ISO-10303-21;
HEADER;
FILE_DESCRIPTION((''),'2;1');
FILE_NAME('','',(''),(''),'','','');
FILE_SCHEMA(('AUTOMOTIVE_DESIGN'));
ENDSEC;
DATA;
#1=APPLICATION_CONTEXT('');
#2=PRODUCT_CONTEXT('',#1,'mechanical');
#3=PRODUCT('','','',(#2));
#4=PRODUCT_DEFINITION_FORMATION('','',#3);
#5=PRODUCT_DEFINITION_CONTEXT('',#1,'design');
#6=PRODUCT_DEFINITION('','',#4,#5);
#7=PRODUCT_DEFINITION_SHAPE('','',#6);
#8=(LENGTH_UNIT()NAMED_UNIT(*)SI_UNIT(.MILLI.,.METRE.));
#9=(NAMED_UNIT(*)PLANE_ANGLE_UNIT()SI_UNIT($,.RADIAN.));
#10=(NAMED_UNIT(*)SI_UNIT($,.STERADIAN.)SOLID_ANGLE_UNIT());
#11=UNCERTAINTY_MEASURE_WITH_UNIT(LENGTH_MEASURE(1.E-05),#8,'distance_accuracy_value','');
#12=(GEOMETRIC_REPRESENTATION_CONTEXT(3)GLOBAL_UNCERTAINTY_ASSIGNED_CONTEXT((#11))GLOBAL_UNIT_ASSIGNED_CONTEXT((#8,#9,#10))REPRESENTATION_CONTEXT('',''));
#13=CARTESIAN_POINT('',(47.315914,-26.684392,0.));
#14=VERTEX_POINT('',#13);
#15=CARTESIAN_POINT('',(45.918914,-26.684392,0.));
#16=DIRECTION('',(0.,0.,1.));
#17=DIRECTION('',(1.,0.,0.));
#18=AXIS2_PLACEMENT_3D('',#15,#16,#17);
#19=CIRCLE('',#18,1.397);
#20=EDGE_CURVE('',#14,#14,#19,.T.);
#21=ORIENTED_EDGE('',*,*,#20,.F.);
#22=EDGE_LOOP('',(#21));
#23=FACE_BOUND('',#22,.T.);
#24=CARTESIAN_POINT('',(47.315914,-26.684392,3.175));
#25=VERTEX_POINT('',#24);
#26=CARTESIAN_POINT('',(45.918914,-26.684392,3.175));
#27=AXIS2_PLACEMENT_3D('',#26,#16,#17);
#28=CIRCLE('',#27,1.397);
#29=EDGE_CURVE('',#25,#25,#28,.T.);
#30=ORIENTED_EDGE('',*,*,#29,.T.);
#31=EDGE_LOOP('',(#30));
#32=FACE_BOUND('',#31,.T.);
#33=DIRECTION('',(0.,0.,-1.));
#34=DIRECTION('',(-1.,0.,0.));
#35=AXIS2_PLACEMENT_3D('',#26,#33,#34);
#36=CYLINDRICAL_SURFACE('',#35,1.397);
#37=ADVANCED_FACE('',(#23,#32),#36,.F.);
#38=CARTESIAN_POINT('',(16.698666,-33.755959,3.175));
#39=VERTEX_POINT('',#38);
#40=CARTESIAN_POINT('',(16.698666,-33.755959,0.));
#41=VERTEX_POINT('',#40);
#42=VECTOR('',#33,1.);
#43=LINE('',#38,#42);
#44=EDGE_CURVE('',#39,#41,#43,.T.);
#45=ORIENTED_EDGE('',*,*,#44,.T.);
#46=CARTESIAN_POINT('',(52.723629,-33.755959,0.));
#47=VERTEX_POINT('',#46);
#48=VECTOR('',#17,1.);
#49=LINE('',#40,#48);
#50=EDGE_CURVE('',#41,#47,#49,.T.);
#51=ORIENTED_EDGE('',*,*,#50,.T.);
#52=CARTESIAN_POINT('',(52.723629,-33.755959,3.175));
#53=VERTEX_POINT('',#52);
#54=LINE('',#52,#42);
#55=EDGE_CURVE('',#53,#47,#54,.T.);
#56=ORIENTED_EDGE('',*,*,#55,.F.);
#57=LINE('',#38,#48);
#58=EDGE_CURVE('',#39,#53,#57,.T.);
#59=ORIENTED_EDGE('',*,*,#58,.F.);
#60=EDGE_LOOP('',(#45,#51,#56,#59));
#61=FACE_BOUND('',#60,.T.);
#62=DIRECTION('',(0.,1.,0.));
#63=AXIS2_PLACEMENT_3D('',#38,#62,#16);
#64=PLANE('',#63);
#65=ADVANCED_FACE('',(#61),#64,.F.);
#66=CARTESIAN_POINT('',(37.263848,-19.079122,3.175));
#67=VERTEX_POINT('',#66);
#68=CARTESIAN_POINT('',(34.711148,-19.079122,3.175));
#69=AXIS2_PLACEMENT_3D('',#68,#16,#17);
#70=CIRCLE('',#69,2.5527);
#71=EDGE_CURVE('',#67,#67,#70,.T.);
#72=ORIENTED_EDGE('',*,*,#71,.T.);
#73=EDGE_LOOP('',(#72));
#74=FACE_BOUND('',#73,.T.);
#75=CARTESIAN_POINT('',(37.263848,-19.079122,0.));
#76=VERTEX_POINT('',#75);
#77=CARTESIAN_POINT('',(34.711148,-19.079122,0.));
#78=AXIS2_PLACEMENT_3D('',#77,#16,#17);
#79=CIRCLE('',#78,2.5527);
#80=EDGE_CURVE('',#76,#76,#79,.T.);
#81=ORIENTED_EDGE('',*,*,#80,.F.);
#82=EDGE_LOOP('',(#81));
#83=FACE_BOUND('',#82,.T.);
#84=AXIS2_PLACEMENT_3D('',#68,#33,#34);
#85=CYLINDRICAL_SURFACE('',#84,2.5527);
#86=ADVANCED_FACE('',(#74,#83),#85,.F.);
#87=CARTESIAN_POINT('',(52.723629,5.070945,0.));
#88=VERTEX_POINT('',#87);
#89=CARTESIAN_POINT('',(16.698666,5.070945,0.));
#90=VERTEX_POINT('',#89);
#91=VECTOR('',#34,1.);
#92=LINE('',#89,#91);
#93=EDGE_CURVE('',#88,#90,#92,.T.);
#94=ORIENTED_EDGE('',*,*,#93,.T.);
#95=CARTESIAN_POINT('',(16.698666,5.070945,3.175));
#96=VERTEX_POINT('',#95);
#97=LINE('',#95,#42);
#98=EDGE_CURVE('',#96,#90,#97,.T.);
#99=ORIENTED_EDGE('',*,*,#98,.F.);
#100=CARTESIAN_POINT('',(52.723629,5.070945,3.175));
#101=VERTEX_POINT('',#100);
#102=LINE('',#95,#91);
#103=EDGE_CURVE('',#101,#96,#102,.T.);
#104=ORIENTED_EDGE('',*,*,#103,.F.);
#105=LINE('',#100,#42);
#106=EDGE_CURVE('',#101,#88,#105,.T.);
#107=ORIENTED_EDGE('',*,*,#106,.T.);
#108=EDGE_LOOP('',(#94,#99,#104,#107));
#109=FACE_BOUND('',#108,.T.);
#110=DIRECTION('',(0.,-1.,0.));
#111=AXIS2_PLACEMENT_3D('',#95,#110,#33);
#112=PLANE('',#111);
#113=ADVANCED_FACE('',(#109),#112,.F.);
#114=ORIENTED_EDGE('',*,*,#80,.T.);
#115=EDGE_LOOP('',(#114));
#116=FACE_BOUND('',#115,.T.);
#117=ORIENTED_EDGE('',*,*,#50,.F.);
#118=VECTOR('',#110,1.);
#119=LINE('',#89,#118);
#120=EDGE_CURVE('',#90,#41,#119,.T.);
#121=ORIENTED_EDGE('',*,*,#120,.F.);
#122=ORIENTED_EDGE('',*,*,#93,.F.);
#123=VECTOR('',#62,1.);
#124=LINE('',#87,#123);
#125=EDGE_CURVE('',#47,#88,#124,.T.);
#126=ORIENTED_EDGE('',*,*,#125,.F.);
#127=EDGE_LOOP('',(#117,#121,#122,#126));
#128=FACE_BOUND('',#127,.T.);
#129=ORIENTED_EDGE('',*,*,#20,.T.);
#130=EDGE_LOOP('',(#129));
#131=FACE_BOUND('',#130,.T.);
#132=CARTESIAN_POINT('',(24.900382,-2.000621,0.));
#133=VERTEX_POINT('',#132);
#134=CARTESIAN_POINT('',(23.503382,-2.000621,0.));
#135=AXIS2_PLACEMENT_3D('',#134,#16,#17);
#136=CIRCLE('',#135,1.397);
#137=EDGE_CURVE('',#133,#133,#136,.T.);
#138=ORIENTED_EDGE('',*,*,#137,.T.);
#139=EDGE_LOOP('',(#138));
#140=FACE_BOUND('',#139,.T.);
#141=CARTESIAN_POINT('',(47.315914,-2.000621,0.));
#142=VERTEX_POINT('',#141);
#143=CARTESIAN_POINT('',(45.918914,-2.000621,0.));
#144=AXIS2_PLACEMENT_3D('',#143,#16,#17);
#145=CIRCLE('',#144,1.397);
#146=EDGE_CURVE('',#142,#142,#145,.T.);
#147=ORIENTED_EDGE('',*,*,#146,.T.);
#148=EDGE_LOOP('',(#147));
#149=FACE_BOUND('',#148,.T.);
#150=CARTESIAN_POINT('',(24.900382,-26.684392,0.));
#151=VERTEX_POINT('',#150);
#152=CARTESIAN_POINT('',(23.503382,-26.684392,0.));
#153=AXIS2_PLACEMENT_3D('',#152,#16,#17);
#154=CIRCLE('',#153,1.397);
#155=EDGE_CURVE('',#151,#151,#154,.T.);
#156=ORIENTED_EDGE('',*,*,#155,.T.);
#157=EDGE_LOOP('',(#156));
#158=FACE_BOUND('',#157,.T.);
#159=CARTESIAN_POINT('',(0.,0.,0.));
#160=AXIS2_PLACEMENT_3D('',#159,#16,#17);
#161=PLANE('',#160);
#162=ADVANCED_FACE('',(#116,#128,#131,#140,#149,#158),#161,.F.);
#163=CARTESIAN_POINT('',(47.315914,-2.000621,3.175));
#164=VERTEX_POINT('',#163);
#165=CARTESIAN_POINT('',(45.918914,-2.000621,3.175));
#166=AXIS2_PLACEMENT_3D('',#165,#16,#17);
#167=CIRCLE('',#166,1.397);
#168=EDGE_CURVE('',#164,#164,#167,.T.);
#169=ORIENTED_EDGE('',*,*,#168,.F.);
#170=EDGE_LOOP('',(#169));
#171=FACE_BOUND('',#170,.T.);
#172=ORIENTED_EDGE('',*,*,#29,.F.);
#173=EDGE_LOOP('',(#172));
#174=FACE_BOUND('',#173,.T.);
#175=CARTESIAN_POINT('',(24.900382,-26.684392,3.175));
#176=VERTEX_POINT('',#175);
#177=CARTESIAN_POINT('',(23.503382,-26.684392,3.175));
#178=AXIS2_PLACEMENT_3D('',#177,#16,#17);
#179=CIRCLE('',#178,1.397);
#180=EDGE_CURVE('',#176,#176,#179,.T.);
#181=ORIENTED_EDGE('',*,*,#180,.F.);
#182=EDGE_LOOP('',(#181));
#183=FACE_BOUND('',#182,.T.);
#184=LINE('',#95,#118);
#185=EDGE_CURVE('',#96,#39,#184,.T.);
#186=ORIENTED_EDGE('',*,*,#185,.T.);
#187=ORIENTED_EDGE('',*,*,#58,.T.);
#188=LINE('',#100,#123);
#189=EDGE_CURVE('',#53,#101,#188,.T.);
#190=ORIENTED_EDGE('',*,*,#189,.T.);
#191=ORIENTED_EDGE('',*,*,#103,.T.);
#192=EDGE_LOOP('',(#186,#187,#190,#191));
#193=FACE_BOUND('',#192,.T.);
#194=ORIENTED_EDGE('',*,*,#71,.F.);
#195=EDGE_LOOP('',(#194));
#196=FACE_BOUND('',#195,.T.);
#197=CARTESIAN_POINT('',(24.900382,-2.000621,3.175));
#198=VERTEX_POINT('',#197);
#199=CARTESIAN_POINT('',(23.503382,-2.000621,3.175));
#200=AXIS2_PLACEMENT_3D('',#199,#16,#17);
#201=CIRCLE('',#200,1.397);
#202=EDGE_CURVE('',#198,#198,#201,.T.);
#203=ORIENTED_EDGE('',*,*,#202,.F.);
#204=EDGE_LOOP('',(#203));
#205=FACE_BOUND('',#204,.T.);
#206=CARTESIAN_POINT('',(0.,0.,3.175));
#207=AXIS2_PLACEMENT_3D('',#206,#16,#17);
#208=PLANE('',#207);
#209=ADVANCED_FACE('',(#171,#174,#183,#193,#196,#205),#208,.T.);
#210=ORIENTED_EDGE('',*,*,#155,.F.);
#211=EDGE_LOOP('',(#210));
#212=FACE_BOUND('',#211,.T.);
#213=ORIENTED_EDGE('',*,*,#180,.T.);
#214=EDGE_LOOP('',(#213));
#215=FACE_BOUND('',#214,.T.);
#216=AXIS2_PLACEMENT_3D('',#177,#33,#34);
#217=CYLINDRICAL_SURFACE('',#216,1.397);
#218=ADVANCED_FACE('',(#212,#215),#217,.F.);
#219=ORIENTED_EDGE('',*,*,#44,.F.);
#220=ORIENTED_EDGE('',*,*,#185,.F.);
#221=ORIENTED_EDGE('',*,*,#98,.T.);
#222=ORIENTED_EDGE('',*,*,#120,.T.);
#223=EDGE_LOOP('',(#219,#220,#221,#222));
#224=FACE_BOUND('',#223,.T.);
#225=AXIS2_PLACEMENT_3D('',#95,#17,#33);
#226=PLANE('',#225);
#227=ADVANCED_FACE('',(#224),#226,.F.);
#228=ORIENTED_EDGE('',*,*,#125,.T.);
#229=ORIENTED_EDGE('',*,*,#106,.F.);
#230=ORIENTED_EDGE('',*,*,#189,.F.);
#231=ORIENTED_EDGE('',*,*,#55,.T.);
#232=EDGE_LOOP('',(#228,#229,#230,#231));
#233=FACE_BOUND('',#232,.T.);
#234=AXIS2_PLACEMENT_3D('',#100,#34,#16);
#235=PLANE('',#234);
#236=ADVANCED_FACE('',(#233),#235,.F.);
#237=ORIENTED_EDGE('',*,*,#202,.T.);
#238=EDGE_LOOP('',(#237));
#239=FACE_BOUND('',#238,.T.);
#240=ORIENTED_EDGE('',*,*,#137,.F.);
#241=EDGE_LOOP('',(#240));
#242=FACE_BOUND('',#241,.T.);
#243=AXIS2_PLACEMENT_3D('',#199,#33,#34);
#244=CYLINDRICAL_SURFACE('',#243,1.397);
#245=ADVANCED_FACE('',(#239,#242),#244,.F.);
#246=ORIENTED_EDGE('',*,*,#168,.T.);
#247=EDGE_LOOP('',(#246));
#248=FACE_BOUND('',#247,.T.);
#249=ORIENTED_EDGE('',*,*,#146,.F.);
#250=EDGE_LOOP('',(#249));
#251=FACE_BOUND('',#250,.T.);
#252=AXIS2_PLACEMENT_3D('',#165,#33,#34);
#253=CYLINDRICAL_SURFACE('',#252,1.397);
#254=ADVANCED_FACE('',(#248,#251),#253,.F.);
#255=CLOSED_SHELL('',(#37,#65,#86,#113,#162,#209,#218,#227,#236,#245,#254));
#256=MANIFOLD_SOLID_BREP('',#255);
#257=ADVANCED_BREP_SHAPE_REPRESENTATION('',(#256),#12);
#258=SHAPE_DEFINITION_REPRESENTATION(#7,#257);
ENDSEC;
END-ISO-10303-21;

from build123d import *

# Parameters (mm, degrees)
SKETCH1_W           = 36.024962638
SKETCH1_H           = 38.826904176
SKETCH1_R           = 1.397
SKETCH1_R_2         = 2.5527
BOSS_EXTRUDE1_DEPTH = 3.175


with BuildPart() as part:
    # Sketch1 → Boss-Extrude1 (new body)
    with BuildSketch(Plane.XY):
        with Locations((34.711147671, -14.342506761)):
            Rectangle(SKETCH1_W, SKETCH1_H)
        with Locations((45.918913825, -2.000621413)):
            Circle(SKETCH1_R, mode=Mode.SUBTRACT)
        with Locations((23.503381517, -2.000621413)):
            Circle(SKETCH1_R, mode=Mode.SUBTRACT)
        with Locations((23.503381517, -26.684392109)):
            Circle(SKETCH1_R, mode=Mode.SUBTRACT)
        with Locations((45.918913825, -26.684392109)):
            Circle(SKETCH1_R, mode=Mode.SUBTRACT)
        with Locations((34.711147671, -19.079122219)):
            Circle(SKETCH1_R_2, mode=Mode.SUBTRACT)
    extrude(amount=BOSS_EXTRUDE1_DEPTH)


solid = part.part
